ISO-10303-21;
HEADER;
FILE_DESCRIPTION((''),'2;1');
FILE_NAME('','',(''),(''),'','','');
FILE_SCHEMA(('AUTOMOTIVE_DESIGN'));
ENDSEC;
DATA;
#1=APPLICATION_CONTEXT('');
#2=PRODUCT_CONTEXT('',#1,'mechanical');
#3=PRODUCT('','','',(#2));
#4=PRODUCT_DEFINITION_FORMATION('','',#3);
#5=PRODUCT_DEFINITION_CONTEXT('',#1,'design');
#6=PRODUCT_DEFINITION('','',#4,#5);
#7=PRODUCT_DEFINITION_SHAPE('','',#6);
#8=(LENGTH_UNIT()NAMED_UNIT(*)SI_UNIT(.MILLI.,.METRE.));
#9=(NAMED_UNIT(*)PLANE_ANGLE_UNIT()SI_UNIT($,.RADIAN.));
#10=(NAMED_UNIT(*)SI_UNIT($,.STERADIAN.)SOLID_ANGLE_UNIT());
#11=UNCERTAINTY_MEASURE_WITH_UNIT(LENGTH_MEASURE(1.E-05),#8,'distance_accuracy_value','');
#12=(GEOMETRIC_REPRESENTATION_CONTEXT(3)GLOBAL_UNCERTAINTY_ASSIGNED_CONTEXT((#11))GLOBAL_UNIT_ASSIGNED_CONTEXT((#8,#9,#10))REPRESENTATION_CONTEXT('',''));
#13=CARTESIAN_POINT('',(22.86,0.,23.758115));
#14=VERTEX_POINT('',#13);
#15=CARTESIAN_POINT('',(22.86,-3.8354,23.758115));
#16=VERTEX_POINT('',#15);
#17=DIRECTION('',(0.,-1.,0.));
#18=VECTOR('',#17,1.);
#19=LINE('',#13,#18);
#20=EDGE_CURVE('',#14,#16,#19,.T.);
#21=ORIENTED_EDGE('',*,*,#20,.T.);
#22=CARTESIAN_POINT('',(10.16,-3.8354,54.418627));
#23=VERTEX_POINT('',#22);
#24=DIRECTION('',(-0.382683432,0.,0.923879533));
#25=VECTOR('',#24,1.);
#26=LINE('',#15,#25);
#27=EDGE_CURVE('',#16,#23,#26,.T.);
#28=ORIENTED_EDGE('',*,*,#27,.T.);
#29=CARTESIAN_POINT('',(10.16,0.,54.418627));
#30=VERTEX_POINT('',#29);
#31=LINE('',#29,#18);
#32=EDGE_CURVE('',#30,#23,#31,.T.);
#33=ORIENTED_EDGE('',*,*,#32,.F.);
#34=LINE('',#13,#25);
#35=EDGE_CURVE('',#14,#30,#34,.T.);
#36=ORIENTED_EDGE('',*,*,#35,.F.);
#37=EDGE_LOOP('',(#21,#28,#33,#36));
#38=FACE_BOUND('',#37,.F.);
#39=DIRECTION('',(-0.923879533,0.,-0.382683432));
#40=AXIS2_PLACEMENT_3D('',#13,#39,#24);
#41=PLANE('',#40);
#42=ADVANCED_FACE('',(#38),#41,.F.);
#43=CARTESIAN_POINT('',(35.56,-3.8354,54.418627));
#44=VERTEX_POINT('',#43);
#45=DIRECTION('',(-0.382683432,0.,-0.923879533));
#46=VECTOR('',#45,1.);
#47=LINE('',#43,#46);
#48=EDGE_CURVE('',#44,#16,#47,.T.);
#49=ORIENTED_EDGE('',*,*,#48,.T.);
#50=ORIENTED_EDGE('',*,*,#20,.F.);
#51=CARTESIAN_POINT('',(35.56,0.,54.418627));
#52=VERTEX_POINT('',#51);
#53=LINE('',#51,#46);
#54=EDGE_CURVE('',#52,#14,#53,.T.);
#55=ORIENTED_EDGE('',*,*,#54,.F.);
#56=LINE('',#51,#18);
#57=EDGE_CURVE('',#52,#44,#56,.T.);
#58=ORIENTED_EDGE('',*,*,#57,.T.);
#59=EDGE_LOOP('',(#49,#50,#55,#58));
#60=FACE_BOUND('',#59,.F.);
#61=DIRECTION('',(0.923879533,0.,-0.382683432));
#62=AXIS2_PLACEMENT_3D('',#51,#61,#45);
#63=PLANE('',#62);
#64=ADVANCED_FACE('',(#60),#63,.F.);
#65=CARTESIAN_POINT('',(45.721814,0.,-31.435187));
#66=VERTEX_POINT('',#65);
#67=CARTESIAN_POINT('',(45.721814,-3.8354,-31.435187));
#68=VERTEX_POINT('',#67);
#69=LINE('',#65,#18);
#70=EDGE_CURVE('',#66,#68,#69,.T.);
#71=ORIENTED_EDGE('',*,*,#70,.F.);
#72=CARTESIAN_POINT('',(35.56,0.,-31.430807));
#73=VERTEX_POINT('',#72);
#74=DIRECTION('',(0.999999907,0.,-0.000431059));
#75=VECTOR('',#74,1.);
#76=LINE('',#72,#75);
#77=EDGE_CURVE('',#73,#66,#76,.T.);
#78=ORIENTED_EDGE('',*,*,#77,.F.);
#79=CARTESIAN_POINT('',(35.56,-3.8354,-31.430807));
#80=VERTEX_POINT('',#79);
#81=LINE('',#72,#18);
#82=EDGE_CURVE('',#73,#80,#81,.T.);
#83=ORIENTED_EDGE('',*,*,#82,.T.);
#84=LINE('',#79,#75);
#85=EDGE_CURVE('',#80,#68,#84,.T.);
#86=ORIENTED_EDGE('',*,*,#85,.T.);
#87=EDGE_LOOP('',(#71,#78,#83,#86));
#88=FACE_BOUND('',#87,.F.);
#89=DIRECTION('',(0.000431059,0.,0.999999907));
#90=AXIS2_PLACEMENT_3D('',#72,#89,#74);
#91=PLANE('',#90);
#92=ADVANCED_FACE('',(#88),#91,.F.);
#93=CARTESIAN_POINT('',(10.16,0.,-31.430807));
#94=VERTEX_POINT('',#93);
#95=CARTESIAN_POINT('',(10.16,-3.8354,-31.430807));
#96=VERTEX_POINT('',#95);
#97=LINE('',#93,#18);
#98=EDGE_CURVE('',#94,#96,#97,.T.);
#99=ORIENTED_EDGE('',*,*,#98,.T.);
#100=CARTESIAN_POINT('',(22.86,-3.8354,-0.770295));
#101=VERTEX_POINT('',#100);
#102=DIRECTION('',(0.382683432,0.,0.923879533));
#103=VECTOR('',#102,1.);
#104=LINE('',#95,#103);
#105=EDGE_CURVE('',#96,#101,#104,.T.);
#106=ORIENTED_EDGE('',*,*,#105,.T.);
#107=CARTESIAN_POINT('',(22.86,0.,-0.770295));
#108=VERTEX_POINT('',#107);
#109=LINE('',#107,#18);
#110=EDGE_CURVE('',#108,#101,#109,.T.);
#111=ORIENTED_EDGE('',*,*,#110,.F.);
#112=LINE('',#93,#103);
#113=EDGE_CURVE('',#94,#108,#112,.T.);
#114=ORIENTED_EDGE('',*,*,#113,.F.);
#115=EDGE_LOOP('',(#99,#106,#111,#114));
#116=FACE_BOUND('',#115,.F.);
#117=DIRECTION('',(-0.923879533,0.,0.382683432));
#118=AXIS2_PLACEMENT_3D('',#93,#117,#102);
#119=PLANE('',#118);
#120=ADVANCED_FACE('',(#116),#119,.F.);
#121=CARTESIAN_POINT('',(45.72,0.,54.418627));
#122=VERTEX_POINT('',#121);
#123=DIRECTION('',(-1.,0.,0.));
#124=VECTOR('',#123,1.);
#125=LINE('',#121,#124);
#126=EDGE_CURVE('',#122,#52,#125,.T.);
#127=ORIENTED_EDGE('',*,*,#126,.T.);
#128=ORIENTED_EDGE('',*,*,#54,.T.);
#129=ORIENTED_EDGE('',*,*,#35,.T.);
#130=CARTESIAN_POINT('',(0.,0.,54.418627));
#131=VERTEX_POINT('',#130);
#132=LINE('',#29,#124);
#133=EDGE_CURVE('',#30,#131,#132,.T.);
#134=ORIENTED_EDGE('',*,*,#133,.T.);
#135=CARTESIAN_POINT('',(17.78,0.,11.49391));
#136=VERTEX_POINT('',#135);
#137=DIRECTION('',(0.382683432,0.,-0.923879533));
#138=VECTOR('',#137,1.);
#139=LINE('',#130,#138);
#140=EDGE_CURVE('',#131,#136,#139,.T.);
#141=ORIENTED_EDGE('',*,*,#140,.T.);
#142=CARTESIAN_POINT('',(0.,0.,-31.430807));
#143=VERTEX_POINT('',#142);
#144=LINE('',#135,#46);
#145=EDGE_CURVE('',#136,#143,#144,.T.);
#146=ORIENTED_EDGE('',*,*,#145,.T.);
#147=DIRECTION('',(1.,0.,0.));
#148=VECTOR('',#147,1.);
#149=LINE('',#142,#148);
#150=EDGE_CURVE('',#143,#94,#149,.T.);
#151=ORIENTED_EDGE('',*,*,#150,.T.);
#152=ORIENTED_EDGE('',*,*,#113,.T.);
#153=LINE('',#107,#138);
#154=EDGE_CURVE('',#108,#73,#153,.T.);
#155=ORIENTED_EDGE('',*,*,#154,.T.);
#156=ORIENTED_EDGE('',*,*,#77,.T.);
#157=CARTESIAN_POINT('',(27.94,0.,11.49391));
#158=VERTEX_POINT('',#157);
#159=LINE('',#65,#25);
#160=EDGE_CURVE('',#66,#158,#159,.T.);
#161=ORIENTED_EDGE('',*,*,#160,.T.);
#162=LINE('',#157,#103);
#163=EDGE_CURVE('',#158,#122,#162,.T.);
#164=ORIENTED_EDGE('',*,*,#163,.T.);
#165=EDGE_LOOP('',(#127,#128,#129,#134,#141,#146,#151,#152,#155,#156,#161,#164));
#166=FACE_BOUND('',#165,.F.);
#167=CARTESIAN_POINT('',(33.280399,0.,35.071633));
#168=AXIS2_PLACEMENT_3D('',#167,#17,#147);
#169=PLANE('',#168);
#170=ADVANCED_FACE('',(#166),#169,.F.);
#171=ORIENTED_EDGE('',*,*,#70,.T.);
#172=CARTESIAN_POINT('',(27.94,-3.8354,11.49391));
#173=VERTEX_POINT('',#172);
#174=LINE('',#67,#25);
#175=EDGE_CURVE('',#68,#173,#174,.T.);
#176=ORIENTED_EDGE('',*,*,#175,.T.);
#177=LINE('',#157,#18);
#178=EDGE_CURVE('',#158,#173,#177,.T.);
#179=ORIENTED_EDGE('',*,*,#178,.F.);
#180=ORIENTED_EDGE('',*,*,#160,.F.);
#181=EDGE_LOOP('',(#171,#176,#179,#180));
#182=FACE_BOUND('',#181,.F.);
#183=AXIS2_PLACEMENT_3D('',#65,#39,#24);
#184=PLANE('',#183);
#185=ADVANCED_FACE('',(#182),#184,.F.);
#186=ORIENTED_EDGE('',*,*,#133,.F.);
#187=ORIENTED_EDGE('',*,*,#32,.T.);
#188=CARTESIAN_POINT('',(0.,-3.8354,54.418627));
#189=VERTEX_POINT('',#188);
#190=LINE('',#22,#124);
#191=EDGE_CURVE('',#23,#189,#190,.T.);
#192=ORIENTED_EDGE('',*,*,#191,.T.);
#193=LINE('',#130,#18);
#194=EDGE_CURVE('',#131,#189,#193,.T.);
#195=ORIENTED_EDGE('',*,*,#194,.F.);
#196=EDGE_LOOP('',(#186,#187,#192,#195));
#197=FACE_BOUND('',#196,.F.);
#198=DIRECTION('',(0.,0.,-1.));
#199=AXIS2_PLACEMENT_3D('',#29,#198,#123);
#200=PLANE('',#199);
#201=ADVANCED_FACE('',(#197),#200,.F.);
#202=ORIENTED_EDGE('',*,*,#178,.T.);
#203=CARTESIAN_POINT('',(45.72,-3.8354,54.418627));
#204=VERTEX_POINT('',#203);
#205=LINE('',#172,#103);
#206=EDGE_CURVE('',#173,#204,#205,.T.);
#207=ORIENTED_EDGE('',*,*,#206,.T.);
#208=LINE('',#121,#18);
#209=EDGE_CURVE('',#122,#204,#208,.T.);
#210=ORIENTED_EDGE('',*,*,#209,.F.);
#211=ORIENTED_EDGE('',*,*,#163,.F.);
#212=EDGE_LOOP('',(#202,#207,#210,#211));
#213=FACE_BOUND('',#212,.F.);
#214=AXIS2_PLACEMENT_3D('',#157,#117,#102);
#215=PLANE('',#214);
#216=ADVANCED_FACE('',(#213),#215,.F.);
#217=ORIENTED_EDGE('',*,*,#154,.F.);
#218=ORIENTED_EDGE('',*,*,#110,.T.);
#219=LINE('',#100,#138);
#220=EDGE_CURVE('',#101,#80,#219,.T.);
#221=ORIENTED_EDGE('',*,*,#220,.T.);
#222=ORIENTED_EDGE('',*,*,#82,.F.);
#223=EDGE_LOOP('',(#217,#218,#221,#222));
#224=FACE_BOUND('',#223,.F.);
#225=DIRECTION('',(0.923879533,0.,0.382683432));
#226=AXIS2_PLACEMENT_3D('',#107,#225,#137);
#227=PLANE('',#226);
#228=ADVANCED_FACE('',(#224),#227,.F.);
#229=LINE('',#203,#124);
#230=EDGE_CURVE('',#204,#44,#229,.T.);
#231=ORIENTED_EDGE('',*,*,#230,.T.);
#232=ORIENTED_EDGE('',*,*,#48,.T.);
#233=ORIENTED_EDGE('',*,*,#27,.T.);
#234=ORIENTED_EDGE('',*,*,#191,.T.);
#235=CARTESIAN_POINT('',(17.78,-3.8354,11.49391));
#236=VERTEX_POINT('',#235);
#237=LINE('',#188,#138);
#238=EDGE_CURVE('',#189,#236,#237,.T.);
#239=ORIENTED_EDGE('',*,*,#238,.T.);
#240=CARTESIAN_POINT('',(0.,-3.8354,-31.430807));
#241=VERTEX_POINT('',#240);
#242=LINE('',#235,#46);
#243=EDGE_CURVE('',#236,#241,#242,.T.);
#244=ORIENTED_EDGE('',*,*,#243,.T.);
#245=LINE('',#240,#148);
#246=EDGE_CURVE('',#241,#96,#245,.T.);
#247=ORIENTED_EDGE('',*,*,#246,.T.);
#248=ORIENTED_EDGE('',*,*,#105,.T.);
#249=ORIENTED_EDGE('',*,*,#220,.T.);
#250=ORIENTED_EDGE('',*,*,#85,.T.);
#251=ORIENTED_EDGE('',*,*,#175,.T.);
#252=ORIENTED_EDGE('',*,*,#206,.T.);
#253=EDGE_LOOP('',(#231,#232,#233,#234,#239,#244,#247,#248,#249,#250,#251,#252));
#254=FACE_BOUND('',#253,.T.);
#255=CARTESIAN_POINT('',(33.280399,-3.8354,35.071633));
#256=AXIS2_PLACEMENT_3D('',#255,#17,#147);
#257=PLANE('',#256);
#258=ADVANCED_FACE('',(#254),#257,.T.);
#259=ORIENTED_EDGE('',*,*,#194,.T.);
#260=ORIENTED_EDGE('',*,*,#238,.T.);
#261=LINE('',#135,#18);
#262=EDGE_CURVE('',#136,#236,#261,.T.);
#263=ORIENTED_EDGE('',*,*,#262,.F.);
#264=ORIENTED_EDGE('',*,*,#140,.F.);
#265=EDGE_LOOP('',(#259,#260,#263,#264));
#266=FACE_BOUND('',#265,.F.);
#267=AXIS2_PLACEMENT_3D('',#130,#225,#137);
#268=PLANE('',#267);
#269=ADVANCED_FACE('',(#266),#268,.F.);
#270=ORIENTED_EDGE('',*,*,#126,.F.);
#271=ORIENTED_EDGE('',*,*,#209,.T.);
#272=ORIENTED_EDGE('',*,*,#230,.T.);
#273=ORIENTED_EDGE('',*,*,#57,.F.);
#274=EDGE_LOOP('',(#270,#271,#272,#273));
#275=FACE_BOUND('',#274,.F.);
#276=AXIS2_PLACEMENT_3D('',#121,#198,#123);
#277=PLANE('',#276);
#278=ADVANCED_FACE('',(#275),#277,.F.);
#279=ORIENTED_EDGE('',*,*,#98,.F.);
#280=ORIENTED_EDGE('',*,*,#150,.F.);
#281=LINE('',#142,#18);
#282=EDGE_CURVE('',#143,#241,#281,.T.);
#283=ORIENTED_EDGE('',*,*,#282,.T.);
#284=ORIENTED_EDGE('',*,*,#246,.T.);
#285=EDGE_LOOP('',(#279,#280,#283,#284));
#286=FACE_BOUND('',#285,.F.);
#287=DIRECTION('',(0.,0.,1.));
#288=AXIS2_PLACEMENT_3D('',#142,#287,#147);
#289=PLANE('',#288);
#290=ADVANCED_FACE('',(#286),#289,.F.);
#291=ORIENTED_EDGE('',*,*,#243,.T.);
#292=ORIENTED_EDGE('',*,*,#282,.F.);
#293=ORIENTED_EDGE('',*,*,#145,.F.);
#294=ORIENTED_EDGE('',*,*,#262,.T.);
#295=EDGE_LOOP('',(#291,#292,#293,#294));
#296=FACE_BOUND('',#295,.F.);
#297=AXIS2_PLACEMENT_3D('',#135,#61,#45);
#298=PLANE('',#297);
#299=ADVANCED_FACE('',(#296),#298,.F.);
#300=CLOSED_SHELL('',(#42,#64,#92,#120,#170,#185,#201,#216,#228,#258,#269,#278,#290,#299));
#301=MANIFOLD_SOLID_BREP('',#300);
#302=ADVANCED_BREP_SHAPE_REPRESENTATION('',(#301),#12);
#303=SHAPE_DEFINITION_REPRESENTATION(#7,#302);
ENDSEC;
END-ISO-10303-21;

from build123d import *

# Parameters (mm, degrees)
F1_DEPTH = 6.3754
F2_DEPTH = 2.54


with BuildPart() as f1:
    # F0 (on Front) → F1 (new body)
    with BuildSketch(Plane.XZ):
        Polygon((35.56, 54.4186271727), (22.86, 23.7581149306), (27.94, 11.4939100337), (45.72, 54.4186271727), align=None)
        Polygon((22.86, 23.7581149306), (10.16, 54.4186271727), (0, 54.4186271727), (17.78, 11.4939100337), align=None)
        Polygon((27.94, 11.4939100337), (22.86, 23.7581149306), (17.78, 11.4939100337), (22.86, -0.7702948631), align=None)
        Polygon((45.7218143962, -31.4351874453), (27.94, 11.4939100337), (22.86, -0.7702948631), (35.56, -31.4308071053), align=None)
        Polygon((22.86, -0.7702948631), (17.78, 11.4939100337), (0, -31.4308071053), (10.16, -31.4308071053), align=None)
    extrude(amount=F1_DEPTH)

    # F2 (cut): a face of the model
    f2_faces = [f1.faces().sort_by_distance(p)[0] for p in [
        (22.8602675118, -6.3754, 11.4933203606),
    ]]
    extrude(f2_faces, amount=-F2_DEPTH, mode=Mode.SUBTRACT)


solid = f1.part
